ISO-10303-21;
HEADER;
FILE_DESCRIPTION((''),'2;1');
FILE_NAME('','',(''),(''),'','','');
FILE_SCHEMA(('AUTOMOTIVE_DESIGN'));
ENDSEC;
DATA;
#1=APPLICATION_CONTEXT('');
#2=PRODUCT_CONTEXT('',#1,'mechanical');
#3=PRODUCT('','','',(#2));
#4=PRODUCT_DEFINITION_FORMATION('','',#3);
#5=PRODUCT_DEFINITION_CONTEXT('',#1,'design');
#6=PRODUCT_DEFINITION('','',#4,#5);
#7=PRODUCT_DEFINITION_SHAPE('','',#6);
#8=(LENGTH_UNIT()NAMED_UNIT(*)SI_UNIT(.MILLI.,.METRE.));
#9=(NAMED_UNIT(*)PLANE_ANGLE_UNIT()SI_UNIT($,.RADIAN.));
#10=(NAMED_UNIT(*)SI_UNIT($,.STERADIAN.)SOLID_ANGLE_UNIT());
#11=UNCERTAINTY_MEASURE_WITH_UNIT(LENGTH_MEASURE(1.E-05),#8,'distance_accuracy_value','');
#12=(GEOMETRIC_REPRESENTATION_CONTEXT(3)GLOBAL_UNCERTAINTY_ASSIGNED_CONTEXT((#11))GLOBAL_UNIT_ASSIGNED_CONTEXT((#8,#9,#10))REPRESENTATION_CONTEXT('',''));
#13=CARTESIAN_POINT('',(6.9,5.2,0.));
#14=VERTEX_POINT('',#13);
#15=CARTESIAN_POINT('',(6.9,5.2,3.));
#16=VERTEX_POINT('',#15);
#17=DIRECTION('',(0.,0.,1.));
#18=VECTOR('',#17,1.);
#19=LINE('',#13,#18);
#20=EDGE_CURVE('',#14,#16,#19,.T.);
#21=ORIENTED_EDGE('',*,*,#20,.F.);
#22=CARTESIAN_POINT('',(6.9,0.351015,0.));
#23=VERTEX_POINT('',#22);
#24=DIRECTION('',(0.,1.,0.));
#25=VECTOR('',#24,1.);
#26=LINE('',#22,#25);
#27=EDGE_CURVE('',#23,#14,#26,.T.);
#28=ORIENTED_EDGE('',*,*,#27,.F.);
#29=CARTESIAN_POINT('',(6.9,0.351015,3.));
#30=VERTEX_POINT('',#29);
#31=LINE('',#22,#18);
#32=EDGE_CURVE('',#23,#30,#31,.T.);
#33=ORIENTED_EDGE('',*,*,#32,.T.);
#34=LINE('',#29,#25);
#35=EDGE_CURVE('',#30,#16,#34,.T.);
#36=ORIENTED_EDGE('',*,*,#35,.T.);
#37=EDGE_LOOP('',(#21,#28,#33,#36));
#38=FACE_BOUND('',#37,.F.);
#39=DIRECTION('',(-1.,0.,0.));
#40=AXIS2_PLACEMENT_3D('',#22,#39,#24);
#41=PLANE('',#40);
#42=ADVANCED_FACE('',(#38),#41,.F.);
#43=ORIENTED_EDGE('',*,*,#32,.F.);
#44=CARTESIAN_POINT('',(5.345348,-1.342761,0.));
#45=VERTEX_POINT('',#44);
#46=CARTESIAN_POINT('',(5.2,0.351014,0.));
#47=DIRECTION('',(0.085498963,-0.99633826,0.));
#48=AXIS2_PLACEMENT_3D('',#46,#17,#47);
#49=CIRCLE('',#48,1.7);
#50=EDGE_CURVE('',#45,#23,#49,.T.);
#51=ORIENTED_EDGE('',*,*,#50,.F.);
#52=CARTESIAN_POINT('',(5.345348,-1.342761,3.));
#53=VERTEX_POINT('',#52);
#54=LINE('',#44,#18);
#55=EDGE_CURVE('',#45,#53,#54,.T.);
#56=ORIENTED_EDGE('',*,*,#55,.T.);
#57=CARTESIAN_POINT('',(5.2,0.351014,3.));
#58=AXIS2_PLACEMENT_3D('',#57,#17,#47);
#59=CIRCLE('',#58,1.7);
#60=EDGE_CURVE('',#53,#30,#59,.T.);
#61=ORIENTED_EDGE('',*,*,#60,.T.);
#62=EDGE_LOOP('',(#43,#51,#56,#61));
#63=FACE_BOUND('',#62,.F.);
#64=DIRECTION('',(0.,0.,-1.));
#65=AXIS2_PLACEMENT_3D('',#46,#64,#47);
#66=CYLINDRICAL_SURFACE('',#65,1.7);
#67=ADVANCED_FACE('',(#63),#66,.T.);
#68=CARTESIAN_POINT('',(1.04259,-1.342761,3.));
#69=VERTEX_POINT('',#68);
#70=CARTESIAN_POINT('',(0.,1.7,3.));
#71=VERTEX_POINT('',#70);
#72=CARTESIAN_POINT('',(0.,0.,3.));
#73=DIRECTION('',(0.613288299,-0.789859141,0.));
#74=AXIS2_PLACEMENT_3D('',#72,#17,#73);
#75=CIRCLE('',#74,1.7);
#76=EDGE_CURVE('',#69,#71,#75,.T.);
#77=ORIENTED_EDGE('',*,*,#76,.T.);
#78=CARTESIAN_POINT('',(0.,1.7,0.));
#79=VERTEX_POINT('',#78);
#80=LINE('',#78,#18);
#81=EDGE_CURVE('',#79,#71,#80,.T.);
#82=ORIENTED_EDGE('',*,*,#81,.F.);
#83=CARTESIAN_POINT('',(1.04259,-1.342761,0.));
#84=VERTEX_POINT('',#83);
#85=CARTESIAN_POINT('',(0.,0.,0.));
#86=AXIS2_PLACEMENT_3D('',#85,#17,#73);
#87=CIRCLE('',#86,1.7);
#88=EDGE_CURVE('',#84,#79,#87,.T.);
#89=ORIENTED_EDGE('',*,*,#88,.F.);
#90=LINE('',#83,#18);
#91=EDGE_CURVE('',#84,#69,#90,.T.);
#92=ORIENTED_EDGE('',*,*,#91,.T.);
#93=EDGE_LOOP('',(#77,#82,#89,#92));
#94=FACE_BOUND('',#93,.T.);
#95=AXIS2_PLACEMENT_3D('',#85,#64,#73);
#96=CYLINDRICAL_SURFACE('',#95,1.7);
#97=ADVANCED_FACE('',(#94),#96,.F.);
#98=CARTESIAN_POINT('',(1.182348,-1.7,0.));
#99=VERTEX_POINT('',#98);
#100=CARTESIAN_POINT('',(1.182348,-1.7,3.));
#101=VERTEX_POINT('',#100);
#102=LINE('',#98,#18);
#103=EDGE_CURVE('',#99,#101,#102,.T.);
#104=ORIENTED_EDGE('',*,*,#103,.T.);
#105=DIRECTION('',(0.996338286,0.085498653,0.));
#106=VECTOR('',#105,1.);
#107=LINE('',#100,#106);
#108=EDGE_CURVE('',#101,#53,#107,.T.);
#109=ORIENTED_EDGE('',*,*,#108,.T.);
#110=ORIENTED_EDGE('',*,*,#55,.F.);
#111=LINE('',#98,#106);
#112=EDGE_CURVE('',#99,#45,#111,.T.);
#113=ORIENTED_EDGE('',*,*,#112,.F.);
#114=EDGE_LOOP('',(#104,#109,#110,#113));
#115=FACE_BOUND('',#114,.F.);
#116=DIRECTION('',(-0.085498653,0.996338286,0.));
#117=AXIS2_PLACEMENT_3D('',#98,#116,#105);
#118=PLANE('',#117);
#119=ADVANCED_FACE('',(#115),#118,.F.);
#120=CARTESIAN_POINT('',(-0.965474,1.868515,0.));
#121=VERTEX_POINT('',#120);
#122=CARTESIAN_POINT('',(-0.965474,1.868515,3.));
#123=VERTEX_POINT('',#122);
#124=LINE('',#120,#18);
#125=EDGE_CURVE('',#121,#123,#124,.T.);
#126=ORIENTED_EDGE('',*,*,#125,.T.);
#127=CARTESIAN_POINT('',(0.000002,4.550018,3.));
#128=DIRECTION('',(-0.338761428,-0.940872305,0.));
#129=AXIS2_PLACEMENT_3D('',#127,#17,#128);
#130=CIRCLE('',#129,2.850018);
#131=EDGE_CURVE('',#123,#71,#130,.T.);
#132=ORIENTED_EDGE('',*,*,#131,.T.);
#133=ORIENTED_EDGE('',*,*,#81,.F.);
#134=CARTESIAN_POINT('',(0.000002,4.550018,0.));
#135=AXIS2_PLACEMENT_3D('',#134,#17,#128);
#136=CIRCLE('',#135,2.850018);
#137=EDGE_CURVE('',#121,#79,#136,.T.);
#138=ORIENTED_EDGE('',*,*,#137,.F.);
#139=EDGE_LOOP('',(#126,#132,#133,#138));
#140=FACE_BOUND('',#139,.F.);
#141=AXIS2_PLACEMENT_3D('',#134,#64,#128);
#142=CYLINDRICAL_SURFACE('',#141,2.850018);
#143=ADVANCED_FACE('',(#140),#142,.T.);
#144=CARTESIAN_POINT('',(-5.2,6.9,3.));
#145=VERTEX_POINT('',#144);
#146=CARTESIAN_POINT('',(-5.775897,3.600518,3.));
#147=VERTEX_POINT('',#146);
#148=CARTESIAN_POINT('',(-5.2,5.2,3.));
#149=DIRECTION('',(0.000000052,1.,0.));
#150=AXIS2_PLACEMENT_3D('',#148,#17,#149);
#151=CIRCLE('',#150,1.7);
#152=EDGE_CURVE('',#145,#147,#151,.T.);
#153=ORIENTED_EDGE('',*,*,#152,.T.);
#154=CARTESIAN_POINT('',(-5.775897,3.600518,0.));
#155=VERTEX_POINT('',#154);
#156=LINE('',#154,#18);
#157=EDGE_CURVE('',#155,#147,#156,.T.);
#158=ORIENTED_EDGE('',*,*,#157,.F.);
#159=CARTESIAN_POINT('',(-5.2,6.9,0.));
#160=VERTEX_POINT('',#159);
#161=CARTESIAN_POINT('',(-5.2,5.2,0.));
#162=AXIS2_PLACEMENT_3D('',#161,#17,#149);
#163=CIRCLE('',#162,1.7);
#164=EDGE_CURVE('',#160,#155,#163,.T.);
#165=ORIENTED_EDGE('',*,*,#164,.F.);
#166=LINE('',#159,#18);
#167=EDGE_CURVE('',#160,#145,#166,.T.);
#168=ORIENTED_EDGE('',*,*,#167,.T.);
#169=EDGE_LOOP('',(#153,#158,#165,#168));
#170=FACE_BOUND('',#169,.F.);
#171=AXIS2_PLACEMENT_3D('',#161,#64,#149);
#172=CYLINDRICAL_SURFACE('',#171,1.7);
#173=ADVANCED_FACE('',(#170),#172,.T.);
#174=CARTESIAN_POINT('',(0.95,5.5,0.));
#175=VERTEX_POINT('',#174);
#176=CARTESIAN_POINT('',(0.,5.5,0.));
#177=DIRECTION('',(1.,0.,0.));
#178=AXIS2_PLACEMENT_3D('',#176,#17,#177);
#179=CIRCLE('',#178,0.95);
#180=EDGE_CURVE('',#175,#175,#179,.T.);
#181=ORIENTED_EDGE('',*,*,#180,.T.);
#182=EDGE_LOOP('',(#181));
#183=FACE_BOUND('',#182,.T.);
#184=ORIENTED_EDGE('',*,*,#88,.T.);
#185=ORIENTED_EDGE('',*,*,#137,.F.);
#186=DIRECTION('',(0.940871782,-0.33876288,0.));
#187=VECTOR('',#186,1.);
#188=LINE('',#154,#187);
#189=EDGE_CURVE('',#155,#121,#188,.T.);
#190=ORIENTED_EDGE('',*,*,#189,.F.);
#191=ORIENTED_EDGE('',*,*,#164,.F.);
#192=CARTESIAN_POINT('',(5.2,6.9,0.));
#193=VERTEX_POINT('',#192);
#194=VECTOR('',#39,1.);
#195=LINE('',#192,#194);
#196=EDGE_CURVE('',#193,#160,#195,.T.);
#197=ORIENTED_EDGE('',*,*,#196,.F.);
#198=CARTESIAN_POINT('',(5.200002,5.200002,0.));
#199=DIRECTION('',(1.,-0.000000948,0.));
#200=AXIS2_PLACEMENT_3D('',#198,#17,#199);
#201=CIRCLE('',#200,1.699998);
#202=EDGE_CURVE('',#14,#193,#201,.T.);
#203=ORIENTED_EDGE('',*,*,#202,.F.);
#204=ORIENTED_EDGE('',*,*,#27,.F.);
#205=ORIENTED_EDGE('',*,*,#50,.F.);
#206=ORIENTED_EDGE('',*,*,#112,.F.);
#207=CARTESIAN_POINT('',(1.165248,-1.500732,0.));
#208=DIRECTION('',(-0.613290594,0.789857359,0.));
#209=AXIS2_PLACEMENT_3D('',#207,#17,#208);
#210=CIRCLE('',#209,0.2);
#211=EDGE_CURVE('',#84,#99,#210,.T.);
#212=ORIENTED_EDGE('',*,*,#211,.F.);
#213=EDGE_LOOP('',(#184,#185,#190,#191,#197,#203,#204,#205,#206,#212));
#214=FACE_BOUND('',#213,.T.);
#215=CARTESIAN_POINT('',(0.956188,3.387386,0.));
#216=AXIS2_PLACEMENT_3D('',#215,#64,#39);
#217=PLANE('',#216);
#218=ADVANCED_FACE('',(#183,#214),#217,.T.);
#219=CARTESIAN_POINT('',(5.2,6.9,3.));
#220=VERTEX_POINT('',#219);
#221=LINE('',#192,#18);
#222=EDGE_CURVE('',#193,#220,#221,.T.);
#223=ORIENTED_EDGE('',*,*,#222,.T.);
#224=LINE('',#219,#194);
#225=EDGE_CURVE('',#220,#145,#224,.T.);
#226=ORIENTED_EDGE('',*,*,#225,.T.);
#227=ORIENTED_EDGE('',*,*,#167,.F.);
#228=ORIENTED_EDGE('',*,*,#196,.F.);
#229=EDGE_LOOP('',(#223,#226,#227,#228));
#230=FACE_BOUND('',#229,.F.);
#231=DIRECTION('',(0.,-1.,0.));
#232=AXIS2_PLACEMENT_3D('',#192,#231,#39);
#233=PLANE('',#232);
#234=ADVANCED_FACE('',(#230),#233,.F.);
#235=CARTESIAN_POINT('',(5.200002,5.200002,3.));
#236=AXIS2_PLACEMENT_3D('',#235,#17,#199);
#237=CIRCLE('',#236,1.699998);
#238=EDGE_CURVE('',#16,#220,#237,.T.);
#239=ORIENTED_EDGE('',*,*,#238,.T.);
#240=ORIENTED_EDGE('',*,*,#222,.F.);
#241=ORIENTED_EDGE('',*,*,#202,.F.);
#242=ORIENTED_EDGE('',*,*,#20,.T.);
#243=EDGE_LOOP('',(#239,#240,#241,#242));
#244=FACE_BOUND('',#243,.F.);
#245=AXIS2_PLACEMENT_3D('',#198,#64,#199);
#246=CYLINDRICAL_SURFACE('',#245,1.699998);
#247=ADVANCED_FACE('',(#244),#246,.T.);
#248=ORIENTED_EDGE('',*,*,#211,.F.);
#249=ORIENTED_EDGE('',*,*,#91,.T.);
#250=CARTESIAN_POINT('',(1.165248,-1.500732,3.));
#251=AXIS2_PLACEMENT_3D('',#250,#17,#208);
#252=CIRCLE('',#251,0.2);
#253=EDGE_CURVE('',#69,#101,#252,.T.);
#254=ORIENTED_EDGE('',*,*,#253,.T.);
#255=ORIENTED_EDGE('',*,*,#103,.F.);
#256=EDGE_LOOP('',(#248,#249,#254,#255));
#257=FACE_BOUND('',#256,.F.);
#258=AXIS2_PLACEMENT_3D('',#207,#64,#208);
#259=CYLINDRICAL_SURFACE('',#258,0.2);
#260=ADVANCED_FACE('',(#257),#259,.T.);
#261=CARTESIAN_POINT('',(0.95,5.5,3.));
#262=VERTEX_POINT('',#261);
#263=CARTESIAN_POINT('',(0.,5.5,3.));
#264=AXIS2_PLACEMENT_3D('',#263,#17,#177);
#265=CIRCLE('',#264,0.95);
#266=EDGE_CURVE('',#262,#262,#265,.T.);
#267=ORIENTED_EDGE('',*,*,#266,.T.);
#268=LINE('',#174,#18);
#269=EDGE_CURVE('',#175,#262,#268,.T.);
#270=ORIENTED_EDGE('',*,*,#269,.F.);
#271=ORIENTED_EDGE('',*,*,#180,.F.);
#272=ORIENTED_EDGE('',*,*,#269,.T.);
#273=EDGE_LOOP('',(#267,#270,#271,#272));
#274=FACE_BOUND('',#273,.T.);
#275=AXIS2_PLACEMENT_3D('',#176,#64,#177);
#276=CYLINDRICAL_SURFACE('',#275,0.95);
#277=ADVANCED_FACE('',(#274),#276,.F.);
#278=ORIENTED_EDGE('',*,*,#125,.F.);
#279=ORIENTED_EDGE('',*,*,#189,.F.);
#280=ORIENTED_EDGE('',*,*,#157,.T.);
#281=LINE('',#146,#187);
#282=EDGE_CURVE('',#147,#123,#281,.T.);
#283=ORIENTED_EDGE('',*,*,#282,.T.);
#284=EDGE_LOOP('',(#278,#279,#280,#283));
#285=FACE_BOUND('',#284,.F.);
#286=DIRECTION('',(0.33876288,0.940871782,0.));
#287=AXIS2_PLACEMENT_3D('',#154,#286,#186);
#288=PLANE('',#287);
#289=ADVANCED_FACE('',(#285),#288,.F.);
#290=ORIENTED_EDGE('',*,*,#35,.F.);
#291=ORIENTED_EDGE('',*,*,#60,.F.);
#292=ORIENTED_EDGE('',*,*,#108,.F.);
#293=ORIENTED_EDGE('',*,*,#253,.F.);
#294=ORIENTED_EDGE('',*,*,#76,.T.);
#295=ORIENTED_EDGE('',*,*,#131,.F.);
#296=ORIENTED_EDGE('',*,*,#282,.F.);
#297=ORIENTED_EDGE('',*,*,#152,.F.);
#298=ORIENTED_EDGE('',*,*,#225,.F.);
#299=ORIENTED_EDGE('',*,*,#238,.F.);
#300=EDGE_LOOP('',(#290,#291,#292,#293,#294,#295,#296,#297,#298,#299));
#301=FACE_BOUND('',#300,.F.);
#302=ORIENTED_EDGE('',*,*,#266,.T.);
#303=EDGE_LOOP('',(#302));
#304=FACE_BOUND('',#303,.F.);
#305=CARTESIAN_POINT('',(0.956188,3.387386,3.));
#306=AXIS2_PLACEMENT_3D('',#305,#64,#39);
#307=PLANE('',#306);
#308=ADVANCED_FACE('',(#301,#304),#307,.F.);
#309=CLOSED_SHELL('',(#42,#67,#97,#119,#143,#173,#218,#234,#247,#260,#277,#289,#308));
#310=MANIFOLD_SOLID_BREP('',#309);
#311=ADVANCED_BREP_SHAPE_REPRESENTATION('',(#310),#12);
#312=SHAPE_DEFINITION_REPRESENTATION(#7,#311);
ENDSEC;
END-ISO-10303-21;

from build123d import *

# Parameters (mm, degrees)
SKETCH_R  = 0.95
PAD_DEPTH = 3


with BuildPart() as part:
    # Sketch → Pad (new body)
    with BuildSketch(Plane.XY):
        with BuildLine():
            ThreePointArc((1.04259, -1.342761), (1.608212, 0.551048), (0, 1.7))
            ThreePointArc((-0.965474, 1.868515), (-0.490035, 1.742445), (0, 1.7))
            Line((-5.775897, 3.600518), (-0.965474, 1.868515))
            ThreePointArc((-5.2, 6.9), (-6.874682, 5.492302), (-5.775897, 3.600518))
            Line((5.2, 6.9), (-5.2, 6.9))
            ThreePointArc((6.9, 5.2), (6.402082, 6.402082), (5.2, 6.9))
            Line((6.9, 0.351015), (6.9, 5.2))
            ThreePointArc((5.345348, -1.342761), (6.452416, -0.798531), (6.9, 0.351015))
            Line((1.182348, -1.7), (5.345348, -1.342761))
            ThreePointArc((1.04259, -1.342761), (0.978994, -1.573598), (1.182348, -1.7))
        make_face()
        with Locations((0, 5.5)):
            Circle(SKETCH_R, mode=Mode.SUBTRACT)
    extrude(amount=PAD_DEPTH)


solid = part.part
